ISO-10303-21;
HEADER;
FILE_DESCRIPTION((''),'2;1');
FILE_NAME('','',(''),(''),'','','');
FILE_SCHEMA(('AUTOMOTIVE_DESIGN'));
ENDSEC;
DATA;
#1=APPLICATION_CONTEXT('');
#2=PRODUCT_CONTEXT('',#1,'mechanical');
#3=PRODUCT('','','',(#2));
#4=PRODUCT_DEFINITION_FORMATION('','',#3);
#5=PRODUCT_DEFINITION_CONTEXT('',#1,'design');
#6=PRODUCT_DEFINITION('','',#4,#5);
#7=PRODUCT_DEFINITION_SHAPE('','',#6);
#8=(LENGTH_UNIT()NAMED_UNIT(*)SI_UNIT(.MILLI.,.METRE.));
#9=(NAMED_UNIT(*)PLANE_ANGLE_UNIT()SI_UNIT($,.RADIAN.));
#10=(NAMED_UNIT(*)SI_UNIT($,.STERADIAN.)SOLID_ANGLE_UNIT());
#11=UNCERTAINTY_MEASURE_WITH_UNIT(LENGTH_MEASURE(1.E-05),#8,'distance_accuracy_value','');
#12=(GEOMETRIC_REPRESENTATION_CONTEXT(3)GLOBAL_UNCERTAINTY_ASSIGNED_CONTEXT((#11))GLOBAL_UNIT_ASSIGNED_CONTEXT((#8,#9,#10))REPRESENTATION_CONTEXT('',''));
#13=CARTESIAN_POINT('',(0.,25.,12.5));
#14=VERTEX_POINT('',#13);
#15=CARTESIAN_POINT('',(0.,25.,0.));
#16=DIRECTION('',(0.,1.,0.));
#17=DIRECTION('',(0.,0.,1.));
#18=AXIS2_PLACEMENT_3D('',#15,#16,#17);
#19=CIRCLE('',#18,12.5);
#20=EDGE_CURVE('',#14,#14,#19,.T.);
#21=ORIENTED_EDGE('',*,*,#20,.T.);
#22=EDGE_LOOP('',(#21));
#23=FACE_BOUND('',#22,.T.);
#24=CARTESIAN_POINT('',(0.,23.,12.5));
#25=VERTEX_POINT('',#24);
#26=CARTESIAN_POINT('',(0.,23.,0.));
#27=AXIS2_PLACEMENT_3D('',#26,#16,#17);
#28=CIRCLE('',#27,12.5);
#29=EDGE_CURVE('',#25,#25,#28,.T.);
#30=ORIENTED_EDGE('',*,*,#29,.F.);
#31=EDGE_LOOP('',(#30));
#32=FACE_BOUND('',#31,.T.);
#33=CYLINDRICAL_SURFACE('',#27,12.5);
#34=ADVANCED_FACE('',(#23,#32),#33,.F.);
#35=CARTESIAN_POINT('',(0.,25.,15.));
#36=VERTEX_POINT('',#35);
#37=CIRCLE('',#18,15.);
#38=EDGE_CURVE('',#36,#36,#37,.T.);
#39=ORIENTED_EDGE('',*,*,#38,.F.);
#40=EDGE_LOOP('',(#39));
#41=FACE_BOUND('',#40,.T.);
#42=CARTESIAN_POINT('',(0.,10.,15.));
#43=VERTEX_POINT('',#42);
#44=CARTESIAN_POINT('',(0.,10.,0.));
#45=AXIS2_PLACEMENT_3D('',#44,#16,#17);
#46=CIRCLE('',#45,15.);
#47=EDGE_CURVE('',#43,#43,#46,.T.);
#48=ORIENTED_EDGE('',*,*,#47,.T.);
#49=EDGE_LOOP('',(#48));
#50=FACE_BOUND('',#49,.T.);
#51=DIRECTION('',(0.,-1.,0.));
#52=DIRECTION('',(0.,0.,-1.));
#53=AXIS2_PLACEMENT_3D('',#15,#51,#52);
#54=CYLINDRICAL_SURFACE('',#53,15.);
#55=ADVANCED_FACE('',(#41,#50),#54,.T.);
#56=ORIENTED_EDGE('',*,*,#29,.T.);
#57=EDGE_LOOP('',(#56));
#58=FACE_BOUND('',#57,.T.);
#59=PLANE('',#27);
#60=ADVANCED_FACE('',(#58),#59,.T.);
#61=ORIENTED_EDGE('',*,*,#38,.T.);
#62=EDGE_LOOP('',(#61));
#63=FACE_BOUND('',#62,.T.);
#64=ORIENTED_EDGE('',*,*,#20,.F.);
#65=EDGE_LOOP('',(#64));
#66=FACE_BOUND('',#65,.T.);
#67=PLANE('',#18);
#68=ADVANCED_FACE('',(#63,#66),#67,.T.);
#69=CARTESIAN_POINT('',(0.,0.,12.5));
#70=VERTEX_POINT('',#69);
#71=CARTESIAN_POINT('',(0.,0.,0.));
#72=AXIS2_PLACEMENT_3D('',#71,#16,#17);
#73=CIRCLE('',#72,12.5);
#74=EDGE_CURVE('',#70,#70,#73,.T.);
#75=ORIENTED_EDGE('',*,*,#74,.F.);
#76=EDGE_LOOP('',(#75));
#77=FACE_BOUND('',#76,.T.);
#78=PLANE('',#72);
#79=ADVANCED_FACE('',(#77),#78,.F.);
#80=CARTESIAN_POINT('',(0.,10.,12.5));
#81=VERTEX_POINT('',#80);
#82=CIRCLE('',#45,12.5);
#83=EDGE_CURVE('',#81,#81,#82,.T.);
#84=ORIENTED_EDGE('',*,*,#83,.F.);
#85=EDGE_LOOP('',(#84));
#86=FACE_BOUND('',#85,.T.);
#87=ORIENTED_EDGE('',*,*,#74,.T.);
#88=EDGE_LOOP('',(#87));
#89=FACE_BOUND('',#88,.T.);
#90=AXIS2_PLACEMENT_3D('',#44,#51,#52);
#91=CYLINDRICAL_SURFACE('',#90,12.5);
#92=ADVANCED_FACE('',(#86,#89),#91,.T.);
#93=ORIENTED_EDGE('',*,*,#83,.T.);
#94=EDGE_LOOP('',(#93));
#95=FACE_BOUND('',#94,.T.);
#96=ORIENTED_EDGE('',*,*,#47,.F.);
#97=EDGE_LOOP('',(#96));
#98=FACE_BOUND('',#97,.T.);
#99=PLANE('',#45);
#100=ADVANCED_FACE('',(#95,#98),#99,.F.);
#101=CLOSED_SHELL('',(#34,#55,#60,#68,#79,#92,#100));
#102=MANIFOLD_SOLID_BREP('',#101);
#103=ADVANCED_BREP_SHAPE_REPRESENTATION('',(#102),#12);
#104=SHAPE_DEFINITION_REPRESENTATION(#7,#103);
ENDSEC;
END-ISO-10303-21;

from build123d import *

# Parameters (mm, degrees)
SKETCH1_R           = 12.5
BOSS_EXTRUDE1_DEPTH = 10
SKETCH2_R           = 15
BOSS_EXTRUDE2_DEPTH = 15
SKETCH3_R           = 12.5
CUT_EXTRUDE1_DEPTH  = 2


with BuildPart() as part:
    # Sketch1 → Boss-Extrude1 (new body)
    with BuildSketch(Plane(origin=(0, 0, 0), x_dir=(1, 0, 0), z_dir=(0, 1, 0))):
        Circle(SKETCH1_R)
    extrude(amount=BOSS_EXTRUDE1_DEPTH)

    # Sketch2 → Boss-Extrude2 (add)
    with BuildSketch(Plane(origin=(0, 10, 0), x_dir=(1, 0, 0), z_dir=(0, 1, 0))):
        Circle(SKETCH2_R)
    extrude(amount=BOSS_EXTRUDE2_DEPTH)

    # Sketch3 → Cut-Extrude1 (cut)
    with BuildSketch(Plane(origin=(0, 25, 0), x_dir=(1, 0, 0), z_dir=(0, 1, 0))):
        Circle(SKETCH3_R)
    extrude(amount=-CUT_EXTRUDE1_DEPTH, mode=Mode.SUBTRACT)


solid = part.part
